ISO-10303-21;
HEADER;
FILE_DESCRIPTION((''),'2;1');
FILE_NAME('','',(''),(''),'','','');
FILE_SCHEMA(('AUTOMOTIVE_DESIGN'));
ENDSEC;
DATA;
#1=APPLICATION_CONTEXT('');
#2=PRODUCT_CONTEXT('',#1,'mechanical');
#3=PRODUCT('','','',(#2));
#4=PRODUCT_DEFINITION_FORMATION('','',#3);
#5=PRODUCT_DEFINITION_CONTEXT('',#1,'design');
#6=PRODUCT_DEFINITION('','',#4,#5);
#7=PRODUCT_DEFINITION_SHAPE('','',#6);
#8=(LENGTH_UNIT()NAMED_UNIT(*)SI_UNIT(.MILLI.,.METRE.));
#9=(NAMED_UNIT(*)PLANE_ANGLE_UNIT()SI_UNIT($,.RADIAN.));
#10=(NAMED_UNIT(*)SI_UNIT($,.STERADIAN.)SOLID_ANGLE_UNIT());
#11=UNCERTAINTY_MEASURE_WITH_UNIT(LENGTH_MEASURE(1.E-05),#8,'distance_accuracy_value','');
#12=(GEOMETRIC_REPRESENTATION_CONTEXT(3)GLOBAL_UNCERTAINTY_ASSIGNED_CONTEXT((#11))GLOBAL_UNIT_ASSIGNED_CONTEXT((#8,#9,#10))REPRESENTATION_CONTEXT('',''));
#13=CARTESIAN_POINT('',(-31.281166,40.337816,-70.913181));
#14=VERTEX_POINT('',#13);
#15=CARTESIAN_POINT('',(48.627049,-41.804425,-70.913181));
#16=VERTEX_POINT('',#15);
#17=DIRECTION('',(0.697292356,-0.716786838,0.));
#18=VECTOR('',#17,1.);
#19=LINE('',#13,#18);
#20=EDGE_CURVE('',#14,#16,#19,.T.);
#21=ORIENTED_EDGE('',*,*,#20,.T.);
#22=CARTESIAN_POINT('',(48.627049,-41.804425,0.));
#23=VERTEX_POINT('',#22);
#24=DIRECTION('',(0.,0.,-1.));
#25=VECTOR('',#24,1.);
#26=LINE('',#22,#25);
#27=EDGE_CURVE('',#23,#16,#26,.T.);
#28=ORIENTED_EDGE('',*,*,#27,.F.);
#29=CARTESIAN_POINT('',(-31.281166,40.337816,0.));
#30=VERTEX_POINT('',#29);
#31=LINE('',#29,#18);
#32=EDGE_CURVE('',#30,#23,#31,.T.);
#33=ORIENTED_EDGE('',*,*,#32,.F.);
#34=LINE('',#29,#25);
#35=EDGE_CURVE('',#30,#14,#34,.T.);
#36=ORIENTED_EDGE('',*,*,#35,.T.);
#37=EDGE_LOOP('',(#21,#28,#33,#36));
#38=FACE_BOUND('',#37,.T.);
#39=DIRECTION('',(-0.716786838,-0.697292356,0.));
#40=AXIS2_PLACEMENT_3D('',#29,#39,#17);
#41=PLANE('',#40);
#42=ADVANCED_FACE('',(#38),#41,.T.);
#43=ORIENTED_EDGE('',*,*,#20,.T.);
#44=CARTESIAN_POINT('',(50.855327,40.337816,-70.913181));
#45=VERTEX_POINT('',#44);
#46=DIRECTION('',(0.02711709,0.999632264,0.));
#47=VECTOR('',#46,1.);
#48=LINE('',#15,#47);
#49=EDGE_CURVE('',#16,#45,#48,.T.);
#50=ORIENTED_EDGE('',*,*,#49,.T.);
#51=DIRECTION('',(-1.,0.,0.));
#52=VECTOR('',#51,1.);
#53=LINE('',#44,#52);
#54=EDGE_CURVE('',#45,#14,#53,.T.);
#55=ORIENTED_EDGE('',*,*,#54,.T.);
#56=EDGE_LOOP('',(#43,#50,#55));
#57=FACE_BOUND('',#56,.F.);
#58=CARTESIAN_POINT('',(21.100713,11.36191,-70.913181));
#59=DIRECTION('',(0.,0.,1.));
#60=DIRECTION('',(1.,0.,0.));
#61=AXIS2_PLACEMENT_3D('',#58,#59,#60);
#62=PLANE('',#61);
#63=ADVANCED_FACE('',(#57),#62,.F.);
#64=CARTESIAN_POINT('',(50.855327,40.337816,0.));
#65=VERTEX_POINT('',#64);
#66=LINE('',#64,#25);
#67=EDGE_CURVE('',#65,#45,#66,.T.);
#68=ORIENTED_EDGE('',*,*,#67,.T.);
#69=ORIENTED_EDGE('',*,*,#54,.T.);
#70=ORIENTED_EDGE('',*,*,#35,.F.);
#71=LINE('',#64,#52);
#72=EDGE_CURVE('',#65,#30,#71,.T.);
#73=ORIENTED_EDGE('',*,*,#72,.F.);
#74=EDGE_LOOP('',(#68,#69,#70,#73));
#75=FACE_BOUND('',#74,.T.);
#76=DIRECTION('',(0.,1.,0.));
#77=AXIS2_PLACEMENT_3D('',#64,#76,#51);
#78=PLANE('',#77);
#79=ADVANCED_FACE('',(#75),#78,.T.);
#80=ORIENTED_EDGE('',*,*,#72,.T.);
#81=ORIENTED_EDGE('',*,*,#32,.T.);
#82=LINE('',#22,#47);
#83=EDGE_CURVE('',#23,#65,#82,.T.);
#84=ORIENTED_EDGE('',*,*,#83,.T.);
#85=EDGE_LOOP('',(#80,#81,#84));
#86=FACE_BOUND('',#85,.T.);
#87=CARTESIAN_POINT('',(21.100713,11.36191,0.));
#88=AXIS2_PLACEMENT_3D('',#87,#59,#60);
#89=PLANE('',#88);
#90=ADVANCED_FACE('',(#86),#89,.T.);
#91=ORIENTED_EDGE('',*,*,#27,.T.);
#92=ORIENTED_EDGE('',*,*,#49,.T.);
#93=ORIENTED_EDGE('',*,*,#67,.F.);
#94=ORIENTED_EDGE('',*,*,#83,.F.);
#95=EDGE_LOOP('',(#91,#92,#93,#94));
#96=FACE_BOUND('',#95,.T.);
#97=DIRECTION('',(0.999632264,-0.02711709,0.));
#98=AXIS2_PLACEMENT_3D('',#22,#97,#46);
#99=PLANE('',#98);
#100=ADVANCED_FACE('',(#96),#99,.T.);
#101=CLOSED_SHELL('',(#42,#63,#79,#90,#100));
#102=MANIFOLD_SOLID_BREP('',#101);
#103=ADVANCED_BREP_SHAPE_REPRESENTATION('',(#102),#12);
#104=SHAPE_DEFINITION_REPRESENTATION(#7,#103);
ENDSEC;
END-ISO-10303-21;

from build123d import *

# Parameters (mm, degrees)
F2_DEPTH = 70.913181


with BuildPart() as f2:
    # F1 (on face) → F2 (new body)
    with BuildSketch(Plane.XY):
        Polygon((48.627049, -41.804425), (50.855327, 40.337816), (-31.281166, 40.337816), align=None)
    extrude(amount=-F2_DEPTH)


solid = f2.part
